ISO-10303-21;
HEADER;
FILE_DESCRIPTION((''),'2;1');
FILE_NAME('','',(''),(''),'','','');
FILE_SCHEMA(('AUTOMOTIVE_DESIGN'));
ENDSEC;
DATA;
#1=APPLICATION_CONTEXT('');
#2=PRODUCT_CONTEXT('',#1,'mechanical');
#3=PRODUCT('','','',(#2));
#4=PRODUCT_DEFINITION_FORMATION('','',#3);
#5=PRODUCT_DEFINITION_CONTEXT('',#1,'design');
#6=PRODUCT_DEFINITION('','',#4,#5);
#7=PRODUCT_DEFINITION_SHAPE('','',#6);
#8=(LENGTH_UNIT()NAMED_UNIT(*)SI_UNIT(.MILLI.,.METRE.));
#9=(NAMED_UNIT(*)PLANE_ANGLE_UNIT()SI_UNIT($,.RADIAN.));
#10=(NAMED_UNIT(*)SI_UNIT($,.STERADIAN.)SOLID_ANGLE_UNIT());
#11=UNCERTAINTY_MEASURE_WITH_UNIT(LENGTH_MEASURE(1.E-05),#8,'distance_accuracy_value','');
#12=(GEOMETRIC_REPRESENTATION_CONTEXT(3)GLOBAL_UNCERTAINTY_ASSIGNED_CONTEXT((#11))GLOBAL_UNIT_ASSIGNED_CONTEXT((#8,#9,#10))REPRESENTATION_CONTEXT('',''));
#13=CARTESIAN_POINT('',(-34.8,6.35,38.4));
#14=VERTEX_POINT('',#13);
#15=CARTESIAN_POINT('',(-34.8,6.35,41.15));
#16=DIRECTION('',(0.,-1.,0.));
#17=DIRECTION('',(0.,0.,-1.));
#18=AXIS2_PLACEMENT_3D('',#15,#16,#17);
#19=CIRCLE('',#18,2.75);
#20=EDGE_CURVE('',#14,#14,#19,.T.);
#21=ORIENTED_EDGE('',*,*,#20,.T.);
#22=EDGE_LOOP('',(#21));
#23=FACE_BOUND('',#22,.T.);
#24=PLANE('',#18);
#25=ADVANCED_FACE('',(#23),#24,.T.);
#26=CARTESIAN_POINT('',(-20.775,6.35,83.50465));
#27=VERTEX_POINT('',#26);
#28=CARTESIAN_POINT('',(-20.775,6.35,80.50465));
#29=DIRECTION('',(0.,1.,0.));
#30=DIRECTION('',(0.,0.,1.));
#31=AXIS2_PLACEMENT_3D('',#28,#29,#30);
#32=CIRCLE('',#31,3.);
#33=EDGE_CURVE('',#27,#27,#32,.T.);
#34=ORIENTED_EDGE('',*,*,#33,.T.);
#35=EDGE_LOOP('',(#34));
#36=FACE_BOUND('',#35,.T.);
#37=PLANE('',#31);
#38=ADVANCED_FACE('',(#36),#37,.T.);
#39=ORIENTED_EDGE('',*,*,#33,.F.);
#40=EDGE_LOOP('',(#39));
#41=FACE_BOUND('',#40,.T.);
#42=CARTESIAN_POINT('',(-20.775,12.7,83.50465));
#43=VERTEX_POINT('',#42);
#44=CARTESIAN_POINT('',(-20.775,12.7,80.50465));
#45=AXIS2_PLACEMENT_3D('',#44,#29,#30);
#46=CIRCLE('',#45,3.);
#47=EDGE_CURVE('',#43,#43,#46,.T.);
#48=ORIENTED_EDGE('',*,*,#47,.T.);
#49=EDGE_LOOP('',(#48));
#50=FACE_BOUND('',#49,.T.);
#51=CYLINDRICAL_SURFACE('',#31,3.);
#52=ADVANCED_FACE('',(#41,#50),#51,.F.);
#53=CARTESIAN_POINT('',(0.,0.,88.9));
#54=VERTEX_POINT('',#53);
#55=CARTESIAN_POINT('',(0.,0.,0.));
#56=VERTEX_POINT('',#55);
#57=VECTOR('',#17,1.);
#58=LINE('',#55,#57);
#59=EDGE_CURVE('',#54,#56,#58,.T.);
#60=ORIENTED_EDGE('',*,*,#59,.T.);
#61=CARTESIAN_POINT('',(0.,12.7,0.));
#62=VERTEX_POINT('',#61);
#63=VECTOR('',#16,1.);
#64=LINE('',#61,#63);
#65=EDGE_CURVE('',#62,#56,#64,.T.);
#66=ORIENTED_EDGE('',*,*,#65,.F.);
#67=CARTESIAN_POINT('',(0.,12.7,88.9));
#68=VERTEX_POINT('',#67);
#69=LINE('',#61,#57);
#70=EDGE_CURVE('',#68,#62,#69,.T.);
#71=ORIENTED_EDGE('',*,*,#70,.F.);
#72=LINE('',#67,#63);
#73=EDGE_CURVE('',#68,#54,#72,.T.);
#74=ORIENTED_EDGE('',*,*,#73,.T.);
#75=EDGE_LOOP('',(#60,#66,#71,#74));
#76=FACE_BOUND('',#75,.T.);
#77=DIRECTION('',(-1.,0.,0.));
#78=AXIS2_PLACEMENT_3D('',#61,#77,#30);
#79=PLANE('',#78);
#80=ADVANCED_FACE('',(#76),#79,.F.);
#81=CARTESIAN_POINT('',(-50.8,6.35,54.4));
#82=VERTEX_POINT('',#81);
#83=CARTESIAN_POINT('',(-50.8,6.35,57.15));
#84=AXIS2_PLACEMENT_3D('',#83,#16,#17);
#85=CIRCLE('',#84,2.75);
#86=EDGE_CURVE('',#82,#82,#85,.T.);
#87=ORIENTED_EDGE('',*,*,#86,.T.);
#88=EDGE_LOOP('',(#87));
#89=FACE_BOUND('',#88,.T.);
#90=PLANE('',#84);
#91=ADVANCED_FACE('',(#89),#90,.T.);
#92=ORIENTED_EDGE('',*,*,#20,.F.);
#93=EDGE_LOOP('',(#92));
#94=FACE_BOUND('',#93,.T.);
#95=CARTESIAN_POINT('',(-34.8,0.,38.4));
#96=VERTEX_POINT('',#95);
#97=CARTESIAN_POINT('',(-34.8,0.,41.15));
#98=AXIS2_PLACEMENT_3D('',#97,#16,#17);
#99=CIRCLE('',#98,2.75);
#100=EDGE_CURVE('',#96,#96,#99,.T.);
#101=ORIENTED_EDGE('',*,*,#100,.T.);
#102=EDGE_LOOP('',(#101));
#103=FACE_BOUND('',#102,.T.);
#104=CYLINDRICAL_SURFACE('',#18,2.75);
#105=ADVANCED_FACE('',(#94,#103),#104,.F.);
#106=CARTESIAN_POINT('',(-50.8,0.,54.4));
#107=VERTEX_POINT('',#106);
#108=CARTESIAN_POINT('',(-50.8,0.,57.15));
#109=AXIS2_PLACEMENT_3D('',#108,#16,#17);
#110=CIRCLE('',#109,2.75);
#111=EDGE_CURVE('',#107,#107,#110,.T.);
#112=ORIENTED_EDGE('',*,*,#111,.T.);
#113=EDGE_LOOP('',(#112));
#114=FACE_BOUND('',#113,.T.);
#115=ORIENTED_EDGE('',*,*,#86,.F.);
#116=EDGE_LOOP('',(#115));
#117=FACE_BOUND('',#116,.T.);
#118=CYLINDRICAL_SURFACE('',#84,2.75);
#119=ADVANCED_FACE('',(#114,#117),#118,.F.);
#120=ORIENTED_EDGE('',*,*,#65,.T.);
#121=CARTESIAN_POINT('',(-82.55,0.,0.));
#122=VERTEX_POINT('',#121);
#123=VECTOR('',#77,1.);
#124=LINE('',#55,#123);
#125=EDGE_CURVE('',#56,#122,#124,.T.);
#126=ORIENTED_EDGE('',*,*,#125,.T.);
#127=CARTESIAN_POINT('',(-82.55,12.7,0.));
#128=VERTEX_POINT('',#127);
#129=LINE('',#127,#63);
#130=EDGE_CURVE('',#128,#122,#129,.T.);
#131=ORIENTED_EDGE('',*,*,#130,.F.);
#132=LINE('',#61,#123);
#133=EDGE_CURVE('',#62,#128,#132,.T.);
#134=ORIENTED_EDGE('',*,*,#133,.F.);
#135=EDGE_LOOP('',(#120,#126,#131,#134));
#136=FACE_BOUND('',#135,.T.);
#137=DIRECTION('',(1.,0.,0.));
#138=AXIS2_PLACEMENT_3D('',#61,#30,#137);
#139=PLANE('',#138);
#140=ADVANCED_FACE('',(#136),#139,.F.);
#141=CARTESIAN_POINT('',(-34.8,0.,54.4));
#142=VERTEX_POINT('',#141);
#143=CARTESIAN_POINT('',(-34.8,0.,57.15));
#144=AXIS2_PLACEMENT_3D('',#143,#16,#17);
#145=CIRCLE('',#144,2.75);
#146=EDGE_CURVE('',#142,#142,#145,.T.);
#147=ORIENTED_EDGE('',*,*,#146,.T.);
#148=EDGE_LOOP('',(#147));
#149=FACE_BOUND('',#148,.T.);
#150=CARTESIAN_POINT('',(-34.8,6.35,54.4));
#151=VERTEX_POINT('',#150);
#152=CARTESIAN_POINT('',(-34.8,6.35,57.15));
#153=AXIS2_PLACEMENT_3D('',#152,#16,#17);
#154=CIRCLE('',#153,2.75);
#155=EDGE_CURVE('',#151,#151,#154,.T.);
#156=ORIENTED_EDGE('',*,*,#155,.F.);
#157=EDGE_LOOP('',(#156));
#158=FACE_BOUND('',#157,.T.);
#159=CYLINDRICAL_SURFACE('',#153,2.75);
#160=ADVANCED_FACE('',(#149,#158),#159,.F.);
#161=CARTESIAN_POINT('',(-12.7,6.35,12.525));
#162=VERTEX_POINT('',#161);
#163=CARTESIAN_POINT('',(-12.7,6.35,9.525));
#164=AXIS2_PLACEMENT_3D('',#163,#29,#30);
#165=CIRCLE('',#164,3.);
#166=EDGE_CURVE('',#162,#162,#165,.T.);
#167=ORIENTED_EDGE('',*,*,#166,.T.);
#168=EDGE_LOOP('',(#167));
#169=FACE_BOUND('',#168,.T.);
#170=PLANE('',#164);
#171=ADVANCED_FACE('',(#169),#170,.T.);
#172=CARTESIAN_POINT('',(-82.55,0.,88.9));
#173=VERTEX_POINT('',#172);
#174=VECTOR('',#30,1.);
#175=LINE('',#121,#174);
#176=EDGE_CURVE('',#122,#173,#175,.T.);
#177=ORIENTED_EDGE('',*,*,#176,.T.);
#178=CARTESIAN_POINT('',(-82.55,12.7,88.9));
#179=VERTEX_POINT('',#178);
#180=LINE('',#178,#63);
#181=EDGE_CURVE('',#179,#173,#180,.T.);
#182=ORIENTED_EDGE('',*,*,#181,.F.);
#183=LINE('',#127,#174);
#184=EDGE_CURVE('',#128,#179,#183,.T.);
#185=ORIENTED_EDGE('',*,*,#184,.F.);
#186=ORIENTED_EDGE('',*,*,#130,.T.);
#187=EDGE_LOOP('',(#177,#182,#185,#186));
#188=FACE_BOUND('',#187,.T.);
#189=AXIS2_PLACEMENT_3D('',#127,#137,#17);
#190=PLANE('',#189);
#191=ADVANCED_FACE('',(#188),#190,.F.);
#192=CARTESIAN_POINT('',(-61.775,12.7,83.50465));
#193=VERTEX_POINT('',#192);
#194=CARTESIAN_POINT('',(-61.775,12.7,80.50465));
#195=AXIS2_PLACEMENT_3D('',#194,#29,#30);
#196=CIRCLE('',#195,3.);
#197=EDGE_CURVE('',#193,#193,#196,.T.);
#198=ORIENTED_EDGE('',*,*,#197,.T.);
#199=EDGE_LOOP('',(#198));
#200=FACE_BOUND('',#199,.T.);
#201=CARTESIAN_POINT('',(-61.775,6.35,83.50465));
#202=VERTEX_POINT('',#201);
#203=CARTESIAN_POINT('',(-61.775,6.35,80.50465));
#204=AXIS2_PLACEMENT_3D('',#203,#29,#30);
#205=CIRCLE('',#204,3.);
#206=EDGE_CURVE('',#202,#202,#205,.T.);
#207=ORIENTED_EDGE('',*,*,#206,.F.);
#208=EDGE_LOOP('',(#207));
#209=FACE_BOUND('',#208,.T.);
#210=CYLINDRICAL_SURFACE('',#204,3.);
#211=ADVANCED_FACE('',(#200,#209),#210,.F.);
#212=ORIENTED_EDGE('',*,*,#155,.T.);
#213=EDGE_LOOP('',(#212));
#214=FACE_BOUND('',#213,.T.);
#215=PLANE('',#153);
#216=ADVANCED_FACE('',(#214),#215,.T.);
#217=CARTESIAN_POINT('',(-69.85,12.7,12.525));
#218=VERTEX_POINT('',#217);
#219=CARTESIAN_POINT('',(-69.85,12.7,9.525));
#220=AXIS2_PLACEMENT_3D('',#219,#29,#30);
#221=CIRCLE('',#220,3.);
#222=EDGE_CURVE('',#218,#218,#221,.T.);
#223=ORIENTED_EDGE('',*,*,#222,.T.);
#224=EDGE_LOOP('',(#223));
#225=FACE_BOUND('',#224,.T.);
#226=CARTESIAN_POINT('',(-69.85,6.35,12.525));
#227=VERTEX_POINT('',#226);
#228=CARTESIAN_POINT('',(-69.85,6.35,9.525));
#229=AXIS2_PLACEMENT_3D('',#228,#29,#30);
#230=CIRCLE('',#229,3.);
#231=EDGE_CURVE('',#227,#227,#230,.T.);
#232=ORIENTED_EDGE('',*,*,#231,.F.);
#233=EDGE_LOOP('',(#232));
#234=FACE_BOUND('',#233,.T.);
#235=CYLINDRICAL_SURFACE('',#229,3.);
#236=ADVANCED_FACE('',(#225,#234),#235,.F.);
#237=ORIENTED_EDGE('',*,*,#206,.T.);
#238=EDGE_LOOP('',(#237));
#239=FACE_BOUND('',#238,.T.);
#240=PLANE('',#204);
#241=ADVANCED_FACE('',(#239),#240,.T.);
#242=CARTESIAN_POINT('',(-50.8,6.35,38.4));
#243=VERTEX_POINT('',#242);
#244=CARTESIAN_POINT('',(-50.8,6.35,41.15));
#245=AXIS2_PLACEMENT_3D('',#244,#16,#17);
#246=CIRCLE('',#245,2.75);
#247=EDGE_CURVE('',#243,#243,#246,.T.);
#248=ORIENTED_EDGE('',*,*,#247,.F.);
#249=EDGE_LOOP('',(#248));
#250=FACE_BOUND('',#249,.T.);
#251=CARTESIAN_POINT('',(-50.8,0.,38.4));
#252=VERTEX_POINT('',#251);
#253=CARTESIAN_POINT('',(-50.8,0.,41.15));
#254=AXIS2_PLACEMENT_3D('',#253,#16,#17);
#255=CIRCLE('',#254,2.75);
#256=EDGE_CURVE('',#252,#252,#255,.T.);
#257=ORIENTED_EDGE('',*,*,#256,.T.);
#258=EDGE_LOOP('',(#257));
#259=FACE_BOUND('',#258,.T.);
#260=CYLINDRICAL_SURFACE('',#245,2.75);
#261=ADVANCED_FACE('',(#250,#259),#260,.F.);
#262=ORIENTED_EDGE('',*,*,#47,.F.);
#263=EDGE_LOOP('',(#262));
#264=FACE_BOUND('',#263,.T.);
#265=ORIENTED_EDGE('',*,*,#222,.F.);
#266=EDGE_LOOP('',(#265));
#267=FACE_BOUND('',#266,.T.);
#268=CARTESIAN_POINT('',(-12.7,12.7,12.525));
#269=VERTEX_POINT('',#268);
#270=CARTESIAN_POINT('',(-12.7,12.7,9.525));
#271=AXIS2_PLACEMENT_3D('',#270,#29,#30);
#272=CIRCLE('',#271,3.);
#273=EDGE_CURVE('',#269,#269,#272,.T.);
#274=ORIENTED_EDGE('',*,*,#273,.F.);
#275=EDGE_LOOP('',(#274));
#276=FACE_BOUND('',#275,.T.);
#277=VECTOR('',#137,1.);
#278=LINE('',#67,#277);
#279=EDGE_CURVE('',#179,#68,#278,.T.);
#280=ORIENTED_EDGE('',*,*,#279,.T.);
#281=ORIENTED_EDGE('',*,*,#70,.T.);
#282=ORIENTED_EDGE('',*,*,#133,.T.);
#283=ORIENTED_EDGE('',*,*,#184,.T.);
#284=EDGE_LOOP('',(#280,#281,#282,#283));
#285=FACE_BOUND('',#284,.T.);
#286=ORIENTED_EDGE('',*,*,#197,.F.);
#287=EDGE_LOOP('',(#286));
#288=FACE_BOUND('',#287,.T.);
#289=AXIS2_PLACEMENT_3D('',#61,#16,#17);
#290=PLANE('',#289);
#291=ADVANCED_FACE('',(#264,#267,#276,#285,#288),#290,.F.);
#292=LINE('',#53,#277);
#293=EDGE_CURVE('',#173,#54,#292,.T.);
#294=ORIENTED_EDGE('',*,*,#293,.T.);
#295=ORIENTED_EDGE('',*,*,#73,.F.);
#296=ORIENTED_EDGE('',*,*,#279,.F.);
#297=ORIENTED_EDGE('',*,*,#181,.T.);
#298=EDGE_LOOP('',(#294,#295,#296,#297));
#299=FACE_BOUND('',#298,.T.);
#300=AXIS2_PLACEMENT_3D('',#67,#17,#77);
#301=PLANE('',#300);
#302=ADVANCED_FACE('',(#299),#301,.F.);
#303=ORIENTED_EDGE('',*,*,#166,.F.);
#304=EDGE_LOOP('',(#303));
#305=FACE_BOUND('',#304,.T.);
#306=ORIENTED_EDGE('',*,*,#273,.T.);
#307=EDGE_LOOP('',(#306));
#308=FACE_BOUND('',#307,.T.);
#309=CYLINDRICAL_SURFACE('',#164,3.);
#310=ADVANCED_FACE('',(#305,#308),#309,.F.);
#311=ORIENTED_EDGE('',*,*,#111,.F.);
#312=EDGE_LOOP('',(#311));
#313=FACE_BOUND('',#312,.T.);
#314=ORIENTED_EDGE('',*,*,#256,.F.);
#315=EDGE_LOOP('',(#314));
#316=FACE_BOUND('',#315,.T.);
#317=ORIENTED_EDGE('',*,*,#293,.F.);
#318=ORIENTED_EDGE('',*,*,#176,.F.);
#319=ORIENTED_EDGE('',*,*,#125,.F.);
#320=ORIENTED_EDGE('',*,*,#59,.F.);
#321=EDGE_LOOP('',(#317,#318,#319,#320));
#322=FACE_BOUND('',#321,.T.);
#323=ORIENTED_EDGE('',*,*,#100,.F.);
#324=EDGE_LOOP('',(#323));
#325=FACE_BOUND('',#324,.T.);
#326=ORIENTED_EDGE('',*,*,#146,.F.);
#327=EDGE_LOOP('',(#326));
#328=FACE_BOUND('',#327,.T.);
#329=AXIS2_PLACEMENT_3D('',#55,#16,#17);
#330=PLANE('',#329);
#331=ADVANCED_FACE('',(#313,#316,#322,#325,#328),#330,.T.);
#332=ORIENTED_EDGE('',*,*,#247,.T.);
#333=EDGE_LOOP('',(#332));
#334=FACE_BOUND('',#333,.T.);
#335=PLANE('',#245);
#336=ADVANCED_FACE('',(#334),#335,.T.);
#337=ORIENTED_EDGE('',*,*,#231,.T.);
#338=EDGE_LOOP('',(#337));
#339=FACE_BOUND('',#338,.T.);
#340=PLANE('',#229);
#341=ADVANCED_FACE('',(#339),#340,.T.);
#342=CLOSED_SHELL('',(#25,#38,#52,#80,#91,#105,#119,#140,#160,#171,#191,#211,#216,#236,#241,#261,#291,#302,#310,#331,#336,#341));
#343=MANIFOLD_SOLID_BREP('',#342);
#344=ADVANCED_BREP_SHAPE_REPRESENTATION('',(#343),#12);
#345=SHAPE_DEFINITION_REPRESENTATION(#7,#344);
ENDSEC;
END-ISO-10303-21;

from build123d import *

# Parameters (mm, degrees)
SKETCH1_W           = 82.55
SKETCH1_H           = 88.9
BOSS_EXTRUDE1_DEPTH = 12.7
SKETCH2_R           = 3
CUT_EXTRUDE1_DEPTH  = 6.35
SKETCH3_R           = 2.75
CUT_EXTRUDE2_DEPTH  = 6.35


with BuildPart() as part:
    # Sketch1 → Boss-Extrude1 (new body)
    with BuildSketch(Plane(origin=(0, 0, 0), x_dir=(1, 0, 0), z_dir=(0, 1, 0))):
        with Locations((-41.275, -44.45)):
            Rectangle(SKETCH1_W, SKETCH1_H)
    extrude(amount=BOSS_EXTRUDE1_DEPTH)

    # Sketch2 → Cut-Extrude1 (cut)
    with BuildSketch(Plane(origin=(0, 12.7, 0), x_dir=(1, 0, 0), z_dir=(0, 1, 0))):
        with Locations((-69.85, -9.525)):
            Circle(SKETCH2_R)
        with Locations((-12.7, -9.525)):
            Circle(SKETCH2_R)
        with Locations((-61.775, -80.504650473)):
            Circle(SKETCH2_R)
        with Locations((-20.775, -80.504650473)):
            Circle(SKETCH2_R)
    extrude(amount=-CUT_EXTRUDE1_DEPTH, mode=Mode.SUBTRACT)

    # Sketch3 → Cut-Extrude2 (cut)
    with BuildSketch(Plane.XZ):
        with Locations((-50.8, 57.15)):
            Circle(SKETCH3_R)
        with Locations((-34.8, 57.15)):
            Circle(SKETCH3_R)
        with Locations((-50.8, 41.15)):
            Circle(SKETCH3_R)
        with Locations((-34.8, 41.15)):
            Circle(SKETCH3_R)
    extrude(amount=-CUT_EXTRUDE2_DEPTH, mode=Mode.SUBTRACT)


solid = part.part
